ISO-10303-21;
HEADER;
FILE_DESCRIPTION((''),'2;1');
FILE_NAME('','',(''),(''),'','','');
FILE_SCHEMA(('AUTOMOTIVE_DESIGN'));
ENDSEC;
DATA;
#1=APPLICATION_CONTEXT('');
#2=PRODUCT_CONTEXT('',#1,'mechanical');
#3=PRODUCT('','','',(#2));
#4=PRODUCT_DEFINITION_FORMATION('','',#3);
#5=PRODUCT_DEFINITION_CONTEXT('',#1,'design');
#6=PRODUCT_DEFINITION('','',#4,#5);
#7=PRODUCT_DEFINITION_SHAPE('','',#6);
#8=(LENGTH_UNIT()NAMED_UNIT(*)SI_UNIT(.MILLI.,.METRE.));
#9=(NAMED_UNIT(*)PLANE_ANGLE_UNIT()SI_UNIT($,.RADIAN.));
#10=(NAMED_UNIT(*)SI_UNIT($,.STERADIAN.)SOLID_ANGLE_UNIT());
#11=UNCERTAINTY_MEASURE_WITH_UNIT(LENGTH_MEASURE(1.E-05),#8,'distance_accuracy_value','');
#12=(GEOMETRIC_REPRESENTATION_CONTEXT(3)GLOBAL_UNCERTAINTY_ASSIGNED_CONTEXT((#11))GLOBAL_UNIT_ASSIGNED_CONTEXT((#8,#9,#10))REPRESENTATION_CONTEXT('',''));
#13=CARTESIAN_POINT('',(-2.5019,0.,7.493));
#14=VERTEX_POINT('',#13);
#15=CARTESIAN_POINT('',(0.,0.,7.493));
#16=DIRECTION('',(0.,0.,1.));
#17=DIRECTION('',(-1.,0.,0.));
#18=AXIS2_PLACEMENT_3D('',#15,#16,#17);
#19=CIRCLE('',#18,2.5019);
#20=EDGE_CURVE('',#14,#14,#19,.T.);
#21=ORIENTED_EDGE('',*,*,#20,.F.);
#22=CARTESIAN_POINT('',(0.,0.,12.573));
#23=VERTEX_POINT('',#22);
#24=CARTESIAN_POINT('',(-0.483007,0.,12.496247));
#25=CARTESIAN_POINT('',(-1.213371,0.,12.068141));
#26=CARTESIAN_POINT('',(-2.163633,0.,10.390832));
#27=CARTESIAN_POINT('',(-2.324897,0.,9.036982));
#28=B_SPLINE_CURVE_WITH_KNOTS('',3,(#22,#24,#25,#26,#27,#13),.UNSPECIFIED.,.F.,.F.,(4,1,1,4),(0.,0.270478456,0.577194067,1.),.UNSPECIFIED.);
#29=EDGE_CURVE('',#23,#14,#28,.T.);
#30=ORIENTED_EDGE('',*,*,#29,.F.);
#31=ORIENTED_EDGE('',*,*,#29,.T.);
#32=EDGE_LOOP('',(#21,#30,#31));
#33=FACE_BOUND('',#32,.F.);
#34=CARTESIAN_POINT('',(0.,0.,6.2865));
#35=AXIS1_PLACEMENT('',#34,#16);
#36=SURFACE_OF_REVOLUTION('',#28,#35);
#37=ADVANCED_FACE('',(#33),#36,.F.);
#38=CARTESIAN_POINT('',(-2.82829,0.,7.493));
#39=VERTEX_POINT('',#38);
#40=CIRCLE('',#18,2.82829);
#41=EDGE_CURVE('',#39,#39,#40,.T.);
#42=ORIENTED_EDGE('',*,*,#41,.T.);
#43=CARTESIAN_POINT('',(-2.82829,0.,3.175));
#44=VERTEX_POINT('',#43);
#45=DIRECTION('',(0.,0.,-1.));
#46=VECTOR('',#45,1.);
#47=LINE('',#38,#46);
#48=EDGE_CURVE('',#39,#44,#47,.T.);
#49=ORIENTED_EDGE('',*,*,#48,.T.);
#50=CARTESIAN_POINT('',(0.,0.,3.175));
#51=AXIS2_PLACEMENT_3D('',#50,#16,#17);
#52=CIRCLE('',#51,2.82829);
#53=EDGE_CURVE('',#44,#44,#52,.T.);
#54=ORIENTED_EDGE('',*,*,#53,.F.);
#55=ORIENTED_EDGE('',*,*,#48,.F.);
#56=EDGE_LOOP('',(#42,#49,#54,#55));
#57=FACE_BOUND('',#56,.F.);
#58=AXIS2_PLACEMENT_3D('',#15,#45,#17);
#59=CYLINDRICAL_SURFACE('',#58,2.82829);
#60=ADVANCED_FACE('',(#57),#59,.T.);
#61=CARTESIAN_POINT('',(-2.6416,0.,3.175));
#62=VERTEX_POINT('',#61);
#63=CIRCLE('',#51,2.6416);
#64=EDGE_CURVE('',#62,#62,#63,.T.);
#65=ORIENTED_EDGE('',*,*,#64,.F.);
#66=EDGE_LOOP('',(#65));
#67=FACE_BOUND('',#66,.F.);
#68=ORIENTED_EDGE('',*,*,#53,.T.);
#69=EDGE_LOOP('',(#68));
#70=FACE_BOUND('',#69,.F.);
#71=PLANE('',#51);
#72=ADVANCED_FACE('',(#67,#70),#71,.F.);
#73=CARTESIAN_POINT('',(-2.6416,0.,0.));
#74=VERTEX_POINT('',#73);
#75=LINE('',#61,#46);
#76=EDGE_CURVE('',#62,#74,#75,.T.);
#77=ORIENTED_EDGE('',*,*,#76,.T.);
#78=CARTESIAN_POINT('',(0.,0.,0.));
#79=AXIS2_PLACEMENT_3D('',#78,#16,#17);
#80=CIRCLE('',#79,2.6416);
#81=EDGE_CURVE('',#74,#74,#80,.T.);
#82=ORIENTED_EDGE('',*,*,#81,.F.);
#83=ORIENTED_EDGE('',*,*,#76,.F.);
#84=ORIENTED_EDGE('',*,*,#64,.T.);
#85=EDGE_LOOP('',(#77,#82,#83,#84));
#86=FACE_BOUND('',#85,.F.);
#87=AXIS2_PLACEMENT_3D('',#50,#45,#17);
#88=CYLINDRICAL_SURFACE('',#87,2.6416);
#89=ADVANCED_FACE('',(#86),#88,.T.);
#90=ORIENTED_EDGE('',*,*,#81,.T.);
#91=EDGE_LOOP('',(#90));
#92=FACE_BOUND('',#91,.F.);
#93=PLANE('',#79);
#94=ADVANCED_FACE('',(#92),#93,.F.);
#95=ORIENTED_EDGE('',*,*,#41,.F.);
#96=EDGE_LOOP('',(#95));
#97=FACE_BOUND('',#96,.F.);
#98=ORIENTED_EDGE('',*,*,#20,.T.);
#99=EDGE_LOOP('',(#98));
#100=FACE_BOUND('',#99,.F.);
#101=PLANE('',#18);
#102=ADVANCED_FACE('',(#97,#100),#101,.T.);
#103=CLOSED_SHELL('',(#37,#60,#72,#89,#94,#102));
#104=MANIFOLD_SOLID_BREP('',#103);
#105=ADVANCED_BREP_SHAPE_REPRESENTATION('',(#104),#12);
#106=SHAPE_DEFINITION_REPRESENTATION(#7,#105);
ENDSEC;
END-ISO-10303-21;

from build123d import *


with BuildPart() as f1:
    # F0 (on Front) → F1 (revolve)
    with BuildSketch(Plane.XZ):
        with BuildLine():
            Line((-2.6416, 0), (0, 0))
            Line((0, 0), (0, 12.573))
            add(Edge.make_bspline(
                [(0, 12.573), (-0.4830070247, 12.4962469563), (-1.2133713968, 12.0681409178), (-2.1636329713, 10.3908318494), (-2.3248971069, 9.0369821976), (-2.5019, 7.493)],
                knots=[0, 0, 0, 0, 0.2704784564, 0.5771940667, 1, 1, 1, 1], degree=3))
            Line((-2.5019, 7.493), (-2.82829, 7.493))
            Line((-2.82829, 7.493), (-2.82829, 3.175))
            Line((-2.82829, 3.175), (-2.6416, 3.175))
            Line((-2.6416, 3.175), (-2.6416, 0))
        make_face()
    revolve(axis=Axis((0, 0, 6.2865), (0, 0, 1)))


solid = f1.part
